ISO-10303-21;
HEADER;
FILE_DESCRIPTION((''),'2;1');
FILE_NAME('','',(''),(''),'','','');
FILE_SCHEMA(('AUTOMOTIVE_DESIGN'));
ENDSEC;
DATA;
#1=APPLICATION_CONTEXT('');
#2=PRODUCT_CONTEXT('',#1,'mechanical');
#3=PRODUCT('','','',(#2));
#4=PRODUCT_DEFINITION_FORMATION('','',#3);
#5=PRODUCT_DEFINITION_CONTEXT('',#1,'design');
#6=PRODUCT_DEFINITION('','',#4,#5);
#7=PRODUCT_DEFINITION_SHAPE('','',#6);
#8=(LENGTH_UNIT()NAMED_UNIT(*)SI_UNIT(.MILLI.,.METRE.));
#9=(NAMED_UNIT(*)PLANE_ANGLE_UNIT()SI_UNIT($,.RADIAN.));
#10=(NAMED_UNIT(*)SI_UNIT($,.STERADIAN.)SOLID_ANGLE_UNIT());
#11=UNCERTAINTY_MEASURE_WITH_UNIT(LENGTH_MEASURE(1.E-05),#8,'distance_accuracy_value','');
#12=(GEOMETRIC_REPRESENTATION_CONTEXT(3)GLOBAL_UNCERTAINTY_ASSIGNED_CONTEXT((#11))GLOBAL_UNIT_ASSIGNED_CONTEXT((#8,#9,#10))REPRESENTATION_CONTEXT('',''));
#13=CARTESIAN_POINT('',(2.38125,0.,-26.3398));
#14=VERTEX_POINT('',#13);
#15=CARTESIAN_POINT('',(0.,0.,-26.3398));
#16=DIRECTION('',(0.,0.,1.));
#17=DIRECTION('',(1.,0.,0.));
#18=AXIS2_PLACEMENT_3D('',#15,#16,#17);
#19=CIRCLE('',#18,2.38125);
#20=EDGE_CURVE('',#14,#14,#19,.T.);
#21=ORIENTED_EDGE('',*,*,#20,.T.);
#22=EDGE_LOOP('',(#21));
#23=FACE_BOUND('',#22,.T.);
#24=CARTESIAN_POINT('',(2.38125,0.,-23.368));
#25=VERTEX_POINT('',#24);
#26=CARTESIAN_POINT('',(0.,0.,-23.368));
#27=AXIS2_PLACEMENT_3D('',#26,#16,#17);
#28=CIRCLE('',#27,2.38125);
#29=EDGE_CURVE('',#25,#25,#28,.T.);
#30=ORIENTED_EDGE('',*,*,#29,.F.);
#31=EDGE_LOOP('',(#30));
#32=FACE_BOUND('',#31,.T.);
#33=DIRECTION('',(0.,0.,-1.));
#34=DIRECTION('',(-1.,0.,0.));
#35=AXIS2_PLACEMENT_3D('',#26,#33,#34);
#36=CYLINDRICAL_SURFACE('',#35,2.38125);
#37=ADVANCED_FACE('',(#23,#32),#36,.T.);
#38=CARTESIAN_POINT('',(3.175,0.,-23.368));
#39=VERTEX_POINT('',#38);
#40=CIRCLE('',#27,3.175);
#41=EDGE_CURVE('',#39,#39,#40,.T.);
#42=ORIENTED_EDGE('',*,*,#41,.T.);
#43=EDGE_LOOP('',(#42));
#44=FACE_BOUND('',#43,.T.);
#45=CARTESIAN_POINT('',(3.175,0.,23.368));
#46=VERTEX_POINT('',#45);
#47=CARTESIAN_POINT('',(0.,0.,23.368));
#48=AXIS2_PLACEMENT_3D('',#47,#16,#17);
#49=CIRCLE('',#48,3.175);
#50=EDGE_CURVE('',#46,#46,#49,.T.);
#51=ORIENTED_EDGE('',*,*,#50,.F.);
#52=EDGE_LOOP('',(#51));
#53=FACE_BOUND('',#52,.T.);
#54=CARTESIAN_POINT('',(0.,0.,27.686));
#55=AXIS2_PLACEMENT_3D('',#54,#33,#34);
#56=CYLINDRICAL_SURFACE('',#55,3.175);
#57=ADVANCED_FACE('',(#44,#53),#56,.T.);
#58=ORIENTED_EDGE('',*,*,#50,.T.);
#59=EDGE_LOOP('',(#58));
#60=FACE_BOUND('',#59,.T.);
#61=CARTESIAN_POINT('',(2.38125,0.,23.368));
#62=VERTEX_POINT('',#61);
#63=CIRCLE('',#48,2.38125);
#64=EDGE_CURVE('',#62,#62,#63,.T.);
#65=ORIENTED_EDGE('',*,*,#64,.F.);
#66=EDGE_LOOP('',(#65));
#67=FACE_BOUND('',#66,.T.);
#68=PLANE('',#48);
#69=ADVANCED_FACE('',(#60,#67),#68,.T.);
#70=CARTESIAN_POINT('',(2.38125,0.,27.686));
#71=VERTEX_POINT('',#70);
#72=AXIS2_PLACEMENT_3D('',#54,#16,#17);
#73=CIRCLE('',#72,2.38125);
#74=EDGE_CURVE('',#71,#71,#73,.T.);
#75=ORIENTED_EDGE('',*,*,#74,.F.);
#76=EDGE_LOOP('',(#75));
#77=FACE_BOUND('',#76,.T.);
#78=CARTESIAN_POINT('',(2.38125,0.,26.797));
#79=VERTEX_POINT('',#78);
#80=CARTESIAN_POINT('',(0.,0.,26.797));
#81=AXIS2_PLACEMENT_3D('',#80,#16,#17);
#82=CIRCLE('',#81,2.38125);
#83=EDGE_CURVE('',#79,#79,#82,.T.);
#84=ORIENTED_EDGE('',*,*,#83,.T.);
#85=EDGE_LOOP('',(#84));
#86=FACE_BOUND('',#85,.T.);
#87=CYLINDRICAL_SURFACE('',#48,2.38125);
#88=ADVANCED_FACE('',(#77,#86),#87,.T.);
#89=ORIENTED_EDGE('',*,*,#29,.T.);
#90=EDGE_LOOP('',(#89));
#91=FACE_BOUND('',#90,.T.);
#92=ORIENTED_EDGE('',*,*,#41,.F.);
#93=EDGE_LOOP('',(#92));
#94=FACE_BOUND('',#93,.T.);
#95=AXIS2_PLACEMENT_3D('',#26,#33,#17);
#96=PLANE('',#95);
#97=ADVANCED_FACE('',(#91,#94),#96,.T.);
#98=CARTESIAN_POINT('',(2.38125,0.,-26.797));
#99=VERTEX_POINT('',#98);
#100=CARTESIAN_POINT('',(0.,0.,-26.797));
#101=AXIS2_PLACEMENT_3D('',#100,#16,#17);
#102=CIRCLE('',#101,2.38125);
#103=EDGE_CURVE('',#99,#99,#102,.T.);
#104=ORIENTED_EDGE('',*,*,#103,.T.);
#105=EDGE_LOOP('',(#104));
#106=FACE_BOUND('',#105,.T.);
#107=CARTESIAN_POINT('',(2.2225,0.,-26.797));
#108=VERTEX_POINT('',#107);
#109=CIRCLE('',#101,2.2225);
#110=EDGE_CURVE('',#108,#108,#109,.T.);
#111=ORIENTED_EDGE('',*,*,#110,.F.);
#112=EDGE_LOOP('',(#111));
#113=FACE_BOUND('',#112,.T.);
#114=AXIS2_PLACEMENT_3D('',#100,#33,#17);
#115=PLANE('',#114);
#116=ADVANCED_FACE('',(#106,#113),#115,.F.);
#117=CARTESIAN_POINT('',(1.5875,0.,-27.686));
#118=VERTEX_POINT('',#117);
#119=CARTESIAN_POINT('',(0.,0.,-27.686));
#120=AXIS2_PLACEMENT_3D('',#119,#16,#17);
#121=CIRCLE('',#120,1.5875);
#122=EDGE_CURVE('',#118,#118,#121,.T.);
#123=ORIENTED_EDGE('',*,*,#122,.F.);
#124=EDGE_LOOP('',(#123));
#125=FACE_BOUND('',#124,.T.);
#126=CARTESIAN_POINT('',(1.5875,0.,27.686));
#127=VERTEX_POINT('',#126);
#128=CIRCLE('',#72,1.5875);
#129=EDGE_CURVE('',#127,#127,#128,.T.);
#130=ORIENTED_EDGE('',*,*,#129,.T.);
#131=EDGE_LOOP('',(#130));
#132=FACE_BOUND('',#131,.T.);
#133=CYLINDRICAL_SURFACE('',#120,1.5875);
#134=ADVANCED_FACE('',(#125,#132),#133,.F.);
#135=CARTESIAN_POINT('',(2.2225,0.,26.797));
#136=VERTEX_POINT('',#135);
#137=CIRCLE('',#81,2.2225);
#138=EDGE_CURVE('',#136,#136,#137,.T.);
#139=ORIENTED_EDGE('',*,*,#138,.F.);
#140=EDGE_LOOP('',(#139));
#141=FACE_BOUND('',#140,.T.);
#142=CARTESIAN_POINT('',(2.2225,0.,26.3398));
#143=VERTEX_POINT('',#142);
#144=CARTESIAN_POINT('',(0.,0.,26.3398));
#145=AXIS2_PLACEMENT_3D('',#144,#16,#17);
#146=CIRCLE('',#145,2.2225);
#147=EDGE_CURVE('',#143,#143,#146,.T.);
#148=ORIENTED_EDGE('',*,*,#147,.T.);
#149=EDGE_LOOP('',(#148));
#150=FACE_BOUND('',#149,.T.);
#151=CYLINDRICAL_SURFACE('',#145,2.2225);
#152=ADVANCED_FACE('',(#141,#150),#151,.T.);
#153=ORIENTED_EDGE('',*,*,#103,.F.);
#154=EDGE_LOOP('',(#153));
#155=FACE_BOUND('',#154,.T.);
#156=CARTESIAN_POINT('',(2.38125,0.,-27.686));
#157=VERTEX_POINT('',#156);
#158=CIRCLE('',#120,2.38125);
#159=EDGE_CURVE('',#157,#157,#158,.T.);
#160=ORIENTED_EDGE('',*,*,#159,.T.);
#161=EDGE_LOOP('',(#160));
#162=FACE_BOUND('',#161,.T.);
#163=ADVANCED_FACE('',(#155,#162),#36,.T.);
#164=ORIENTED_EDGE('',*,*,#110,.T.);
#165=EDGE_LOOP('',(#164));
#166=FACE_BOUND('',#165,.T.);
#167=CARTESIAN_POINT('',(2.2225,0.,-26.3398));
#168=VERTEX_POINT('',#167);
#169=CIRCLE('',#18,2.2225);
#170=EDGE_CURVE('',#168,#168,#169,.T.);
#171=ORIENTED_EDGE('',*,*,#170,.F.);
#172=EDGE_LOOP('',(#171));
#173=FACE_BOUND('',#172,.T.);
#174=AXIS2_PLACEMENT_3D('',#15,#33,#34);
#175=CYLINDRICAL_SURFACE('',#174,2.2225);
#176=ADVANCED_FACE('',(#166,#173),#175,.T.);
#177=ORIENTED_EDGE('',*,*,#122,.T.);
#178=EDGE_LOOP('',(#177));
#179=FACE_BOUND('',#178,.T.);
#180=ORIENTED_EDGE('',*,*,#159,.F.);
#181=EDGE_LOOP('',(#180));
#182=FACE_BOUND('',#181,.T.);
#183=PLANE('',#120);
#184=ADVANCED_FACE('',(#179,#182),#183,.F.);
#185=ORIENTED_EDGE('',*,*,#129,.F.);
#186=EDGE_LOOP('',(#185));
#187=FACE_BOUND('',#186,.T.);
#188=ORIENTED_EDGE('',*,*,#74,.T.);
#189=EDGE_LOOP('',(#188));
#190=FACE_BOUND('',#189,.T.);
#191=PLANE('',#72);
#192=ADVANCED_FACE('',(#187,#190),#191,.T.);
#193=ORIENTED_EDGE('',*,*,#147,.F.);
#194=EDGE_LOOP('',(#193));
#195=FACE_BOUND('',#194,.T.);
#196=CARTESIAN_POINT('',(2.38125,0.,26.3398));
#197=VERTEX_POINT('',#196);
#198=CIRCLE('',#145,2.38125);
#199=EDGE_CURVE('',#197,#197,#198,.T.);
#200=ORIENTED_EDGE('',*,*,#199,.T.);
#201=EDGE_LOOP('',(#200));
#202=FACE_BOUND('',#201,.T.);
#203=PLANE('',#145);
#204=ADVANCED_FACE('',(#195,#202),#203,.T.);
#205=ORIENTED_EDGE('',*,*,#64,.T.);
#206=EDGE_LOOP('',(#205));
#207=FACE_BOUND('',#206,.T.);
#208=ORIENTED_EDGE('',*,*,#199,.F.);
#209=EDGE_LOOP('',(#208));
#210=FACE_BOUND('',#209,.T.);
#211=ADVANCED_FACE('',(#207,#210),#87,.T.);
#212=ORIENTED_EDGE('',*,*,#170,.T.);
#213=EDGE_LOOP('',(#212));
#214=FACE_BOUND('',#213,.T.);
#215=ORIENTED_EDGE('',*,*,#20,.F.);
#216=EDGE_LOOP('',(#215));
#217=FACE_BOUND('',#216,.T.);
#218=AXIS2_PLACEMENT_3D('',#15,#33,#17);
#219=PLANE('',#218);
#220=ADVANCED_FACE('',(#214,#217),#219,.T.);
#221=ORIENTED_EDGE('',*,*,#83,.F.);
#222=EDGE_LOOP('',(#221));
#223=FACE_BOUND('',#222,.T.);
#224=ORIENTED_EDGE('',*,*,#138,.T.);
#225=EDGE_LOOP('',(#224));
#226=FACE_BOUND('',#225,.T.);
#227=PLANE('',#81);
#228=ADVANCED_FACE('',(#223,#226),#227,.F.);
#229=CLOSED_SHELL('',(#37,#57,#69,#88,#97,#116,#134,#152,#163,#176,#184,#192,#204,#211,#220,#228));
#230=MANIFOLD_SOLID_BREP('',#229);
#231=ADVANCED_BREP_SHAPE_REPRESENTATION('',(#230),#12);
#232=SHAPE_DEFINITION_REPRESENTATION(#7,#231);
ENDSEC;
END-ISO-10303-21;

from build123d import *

# Parameters (mm, degrees)
SKETCH1_R           = 3.175
BOSS_EXTRUDE1_DEPTH = 27.686
SKETCH2_R           = 3.175
SKETCH2_R_2         = 2.38125
CUT_EXTRUDE1_DEPTH  = 4.318
SKETCH3_R           = 2.38125
SKETCH3_R_2         = 2.2225
CUT_EXTRUDE2_DEPTH  = 0.4572
SKETCH4_R           = 1.5875
CUT_EXTRUDE3_DEPTH  = 56.553754455


with BuildPart() as part:
    # Sketch1 → Boss-Extrude1 (new, symmetric)
    with BuildSketch(Plane.XY):
        Circle(SKETCH1_R)
    extrude(amount=BOSS_EXTRUDE1_DEPTH, both=True)

    # Sketch2 → Cut-Extrude1 (cut)
    with BuildSketch(Plane.XY.offset(27.686)):
        Circle(SKETCH2_R)
        Circle(SKETCH2_R_2, mode=Mode.SUBTRACT)
    cut_extrude1 = extrude(amount=-CUT_EXTRUDE1_DEPTH, mode=Mode.SUBTRACT)

    # Sketch3 → Cut-Extrude2 (cut)
    with BuildSketch(Plane.XY.offset(26.797)):
        Circle(SKETCH3_R)
        Circle(SKETCH3_R_2, mode=Mode.SUBTRACT)
    cut_extrude2 = extrude(amount=-CUT_EXTRUDE2_DEPTH, mode=Mode.SUBTRACT)

    # Sketch4 → Cut-Extrude3 (cut, through all)
    with BuildSketch(Plane.XY.offset(27.686)):
        Circle(SKETCH4_R)
    extrude(amount=-CUT_EXTRUDE3_DEPTH, mode=Mode.SUBTRACT)

    # Mirror1: Cut-Extrude1, Cut-Extrude2 across plane
    add(cut_extrude1.mirror(Plane.XY), mode=Mode.SUBTRACT)
    add(cut_extrude2.mirror(Plane.XY), mode=Mode.SUBTRACT)


solid = part.part
